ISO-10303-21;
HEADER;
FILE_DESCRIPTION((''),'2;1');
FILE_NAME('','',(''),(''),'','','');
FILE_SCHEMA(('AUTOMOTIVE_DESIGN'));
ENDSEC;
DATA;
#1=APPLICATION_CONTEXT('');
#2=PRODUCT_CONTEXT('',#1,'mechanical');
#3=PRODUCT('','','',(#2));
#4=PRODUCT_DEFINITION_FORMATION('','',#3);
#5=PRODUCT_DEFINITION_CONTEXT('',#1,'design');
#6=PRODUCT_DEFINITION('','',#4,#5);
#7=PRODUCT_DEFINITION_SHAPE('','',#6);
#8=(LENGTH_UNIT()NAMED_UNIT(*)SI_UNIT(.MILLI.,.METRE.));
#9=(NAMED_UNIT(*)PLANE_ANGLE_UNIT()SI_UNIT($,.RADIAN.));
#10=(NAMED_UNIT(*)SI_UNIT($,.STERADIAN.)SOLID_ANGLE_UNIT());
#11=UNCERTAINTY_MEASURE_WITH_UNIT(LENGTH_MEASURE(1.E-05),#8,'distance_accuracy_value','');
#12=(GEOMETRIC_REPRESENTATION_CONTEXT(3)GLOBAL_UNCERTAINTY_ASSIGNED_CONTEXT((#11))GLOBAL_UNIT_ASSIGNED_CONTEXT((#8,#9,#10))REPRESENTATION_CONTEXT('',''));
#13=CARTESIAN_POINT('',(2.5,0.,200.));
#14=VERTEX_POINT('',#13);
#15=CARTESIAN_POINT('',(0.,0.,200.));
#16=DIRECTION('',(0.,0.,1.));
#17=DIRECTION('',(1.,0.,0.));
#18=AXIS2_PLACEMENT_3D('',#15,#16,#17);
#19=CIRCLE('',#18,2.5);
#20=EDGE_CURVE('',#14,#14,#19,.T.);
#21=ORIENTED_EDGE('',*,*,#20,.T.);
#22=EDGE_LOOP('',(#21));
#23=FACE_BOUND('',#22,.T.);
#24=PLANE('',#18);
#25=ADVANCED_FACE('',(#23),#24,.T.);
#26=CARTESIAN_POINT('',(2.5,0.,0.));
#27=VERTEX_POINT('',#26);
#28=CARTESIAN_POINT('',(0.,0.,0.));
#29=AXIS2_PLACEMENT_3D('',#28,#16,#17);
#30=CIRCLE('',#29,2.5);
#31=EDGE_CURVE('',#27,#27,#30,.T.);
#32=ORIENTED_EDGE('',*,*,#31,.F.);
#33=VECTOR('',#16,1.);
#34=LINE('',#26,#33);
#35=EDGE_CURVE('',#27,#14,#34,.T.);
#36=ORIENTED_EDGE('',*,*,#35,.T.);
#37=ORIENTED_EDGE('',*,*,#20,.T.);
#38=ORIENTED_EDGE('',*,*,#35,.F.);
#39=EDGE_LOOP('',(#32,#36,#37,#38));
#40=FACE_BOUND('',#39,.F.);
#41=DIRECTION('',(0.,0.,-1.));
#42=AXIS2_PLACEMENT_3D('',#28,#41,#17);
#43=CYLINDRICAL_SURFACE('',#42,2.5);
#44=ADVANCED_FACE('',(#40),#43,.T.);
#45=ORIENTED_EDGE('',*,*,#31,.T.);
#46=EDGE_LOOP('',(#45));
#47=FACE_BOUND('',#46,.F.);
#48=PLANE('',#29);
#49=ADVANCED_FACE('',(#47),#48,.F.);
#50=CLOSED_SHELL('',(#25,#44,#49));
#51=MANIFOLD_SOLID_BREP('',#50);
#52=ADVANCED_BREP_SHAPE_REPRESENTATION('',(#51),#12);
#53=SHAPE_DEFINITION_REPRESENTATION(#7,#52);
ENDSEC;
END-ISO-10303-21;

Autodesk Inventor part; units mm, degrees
ref_plane "YZ Plane" through (0, 0, 0) normal (1, 0, 0) x (0, 1, 0)
ref_plane "XZ Plane" through (0, 0, 0) normal (0, 1, 0) x (-1, 0, 0)
ref_plane "XY Plane" through (0, 0, 0) normal (0, 0, 1) x (1, 0, 0)
sketch "Sketch1" plane through (0, 0, 0) normal (0, 0, 1) x (1, 0, 0)
  circle A0 centre (0, 0) radius 2.5
  dimension "d0" = 5
extrude "Extrusion1" add sketch "Sketch1" along normal blind 200
properties part number "ANTENA GPS"
